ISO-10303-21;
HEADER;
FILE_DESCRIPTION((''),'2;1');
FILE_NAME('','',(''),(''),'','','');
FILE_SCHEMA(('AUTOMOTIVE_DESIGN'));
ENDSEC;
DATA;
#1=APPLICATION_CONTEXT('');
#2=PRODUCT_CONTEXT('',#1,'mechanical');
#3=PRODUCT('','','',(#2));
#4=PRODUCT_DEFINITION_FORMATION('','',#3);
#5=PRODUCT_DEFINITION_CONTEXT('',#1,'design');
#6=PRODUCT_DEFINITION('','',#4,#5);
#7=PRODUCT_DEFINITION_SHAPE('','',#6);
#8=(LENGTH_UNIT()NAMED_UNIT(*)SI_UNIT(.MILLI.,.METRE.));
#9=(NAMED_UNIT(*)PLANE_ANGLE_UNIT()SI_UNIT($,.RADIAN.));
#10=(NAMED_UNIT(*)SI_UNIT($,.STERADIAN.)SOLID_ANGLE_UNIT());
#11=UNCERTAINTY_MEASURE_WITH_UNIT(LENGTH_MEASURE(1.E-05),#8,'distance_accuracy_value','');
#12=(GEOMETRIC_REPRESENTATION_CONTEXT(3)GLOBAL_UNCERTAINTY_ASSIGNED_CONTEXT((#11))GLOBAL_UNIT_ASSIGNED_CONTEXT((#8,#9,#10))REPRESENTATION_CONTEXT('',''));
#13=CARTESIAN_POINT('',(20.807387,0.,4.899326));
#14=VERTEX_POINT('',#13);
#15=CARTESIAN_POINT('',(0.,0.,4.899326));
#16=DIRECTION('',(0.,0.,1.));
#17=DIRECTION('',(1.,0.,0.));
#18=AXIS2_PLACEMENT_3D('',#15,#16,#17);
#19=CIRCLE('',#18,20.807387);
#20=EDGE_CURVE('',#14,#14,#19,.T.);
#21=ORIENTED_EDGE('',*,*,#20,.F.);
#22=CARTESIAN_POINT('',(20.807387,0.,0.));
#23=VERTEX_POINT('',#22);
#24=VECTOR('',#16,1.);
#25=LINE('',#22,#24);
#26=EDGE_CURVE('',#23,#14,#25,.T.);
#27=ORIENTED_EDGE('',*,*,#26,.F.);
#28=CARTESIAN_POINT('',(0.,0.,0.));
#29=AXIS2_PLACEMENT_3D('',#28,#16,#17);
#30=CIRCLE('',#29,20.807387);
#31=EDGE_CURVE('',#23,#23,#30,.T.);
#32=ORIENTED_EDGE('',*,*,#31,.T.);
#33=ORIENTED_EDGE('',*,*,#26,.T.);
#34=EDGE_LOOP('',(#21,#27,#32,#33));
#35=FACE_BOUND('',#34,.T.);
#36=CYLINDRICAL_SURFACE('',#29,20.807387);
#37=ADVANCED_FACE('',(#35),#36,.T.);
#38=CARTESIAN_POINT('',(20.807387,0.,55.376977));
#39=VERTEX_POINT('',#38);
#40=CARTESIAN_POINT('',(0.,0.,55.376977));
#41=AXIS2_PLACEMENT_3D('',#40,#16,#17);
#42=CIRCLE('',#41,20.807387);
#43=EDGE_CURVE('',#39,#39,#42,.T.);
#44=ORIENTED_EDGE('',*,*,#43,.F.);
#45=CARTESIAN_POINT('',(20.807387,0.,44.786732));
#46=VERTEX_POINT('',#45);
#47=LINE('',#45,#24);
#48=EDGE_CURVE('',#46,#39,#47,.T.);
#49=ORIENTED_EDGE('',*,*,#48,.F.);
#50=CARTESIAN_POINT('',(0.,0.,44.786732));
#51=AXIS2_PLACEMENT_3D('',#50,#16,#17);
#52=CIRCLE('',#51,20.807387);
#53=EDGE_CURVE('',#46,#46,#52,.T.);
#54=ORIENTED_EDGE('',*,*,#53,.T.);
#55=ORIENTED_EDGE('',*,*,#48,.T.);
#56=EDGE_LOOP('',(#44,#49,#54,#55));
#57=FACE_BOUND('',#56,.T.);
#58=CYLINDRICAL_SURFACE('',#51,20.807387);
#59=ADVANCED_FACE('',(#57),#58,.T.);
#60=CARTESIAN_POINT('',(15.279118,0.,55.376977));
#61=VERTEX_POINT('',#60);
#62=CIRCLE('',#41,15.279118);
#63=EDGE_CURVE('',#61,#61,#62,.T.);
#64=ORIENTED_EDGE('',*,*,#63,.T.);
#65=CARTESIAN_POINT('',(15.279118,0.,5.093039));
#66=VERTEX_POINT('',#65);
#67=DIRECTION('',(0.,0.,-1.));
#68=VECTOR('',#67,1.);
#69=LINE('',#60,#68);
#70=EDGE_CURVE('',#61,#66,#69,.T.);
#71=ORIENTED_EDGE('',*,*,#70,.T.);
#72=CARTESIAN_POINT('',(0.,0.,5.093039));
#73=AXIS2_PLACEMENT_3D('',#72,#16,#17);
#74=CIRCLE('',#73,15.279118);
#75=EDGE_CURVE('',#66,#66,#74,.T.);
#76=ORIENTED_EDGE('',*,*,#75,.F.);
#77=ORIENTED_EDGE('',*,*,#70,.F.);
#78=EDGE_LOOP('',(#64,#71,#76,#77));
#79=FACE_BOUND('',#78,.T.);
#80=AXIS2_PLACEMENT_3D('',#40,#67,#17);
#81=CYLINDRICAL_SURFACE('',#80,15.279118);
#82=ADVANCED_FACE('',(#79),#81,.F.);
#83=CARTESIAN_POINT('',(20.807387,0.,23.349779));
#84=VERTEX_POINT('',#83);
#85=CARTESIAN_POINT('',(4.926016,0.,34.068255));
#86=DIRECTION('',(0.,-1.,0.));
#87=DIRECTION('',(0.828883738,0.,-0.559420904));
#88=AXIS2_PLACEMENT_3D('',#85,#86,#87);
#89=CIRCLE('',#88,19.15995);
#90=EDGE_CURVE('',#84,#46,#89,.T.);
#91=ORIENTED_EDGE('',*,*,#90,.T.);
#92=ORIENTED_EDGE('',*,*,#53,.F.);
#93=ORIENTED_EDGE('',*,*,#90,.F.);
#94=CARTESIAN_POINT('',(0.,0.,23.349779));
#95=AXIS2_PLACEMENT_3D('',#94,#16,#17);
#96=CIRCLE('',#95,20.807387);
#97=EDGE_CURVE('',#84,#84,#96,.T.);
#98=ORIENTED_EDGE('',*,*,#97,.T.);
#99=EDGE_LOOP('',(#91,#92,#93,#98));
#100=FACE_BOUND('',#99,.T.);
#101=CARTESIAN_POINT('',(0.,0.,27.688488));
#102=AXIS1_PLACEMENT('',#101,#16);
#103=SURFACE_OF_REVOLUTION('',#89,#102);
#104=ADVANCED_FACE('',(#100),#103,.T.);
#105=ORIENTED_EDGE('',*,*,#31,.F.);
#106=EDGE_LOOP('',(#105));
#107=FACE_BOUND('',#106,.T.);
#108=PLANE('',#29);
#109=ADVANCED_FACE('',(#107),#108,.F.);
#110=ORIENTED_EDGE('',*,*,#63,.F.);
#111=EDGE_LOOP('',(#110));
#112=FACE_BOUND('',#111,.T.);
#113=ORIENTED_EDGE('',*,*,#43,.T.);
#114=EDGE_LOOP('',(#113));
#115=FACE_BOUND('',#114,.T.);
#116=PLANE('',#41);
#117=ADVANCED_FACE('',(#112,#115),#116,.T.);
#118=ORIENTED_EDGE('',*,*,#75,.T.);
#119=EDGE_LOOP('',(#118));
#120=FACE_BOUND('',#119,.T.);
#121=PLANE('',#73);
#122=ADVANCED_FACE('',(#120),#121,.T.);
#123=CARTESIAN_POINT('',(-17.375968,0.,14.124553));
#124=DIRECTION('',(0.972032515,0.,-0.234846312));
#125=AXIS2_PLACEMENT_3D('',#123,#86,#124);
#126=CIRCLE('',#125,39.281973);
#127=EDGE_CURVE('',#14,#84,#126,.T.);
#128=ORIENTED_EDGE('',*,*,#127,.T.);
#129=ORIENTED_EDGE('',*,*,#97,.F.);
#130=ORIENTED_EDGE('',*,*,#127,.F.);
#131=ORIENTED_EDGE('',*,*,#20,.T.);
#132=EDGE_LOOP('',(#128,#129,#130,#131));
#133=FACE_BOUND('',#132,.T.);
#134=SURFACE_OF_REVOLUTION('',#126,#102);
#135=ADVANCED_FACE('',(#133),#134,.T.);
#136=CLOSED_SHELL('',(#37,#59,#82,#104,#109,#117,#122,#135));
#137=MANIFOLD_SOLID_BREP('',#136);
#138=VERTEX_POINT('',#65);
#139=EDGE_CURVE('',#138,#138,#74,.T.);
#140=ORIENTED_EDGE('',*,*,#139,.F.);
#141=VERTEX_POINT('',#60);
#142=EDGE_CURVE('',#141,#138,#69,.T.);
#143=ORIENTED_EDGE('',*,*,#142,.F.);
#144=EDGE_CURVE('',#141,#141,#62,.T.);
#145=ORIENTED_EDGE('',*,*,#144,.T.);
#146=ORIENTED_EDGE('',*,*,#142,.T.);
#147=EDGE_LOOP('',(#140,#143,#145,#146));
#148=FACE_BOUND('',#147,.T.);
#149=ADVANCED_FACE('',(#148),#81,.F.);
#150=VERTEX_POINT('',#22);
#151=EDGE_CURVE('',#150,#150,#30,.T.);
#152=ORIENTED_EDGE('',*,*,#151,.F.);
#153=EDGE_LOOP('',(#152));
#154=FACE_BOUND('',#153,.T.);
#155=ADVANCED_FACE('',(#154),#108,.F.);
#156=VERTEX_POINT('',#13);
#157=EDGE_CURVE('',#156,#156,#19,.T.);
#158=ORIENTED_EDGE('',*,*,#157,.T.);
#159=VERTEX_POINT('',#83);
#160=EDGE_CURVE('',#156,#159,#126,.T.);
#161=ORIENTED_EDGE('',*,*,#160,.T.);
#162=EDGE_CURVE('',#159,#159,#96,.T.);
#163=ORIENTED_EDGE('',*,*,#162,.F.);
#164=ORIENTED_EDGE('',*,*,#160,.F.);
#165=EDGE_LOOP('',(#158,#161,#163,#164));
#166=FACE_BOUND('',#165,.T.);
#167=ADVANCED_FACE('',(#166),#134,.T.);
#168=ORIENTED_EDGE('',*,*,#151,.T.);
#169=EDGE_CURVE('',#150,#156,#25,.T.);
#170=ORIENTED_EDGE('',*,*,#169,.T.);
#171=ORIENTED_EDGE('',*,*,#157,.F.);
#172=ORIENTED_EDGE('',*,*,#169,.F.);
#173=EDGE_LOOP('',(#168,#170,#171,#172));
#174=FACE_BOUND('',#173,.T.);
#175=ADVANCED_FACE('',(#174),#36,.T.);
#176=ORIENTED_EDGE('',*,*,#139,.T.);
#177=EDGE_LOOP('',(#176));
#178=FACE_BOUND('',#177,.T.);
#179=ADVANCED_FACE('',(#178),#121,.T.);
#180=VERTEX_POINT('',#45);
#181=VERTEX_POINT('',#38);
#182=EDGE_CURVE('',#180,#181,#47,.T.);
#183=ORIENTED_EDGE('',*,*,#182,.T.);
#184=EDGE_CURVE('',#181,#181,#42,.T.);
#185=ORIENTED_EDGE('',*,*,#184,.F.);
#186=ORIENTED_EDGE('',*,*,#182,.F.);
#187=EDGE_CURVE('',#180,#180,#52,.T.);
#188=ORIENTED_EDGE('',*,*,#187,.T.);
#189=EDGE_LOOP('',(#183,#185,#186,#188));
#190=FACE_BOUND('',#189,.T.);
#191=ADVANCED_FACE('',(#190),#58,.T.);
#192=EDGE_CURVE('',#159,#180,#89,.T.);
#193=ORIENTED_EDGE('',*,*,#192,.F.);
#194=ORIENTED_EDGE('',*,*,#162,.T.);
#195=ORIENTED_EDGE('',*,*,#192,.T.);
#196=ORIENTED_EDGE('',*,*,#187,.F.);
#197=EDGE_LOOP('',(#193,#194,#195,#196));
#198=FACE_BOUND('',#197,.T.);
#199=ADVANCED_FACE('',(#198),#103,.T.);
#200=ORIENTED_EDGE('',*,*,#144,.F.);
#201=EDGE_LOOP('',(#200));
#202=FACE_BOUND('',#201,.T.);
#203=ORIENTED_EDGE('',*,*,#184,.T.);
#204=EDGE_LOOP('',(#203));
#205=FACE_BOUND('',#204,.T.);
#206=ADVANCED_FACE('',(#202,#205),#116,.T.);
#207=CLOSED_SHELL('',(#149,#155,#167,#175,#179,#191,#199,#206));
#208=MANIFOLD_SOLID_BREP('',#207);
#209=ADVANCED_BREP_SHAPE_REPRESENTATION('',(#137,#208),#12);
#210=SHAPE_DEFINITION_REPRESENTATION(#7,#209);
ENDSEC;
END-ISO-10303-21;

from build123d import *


with BuildPart() as f1:
    # F0 (on Front) → F1 (revolve)
    with BuildSketch(Plane.XZ):
        with BuildLine():
            Line((0, 5.093039), (0, 0))
            Line((0, 0), (20.807387, 0))
            Line((20.807387, 0), (20.807387, 4.899326))
            ThreePointArc((20.807387, 4.899326), (21.906005, 14.124552), (20.807387, 23.349779))
            ThreePointArc((20.807387, 23.349779), (24.085966, 34.068255), (20.807387, 44.786732))
            Line((20.807387, 44.786732), (20.807387, 55.376977))
            Line((20.807387, 55.376977), (15.279118, 55.376977))
            Line((15.279118, 55.376977), (15.279118, 5.093039))
            Line((15.279118, 5.093039), (0, 5.093039))
        make_face()
    revolve(axis=Axis((0, 0, 27.688488), (0, 0, 1)))


with BuildPart() as f2:
    # F0 (on Front) → F2 (revolve)
    with BuildSketch(Plane.XZ):
        with BuildLine():
            Line((0, 5.093039), (0, 0))
            Line((0, 0), (20.807387, 0))
            Line((20.807387, 0), (20.807387, 4.899326))
            ThreePointArc((20.807387, 4.899326), (21.906005, 14.124552), (20.807387, 23.349779))
            ThreePointArc((20.807387, 23.349779), (24.085966, 34.068255), (20.807387, 44.786732))
            Line((20.807387, 44.786732), (20.807387, 55.376977))
            Line((20.807387, 55.376977), (15.279118, 55.376977))
            Line((15.279118, 55.376977), (15.279118, 5.093039))
            Line((15.279118, 5.093039), (0, 5.093039))
        make_face()
    revolve(axis=Axis((0, 0, 27.688488), (0, 0, 1)))


solid = Compound([f1.part, f2.part])
